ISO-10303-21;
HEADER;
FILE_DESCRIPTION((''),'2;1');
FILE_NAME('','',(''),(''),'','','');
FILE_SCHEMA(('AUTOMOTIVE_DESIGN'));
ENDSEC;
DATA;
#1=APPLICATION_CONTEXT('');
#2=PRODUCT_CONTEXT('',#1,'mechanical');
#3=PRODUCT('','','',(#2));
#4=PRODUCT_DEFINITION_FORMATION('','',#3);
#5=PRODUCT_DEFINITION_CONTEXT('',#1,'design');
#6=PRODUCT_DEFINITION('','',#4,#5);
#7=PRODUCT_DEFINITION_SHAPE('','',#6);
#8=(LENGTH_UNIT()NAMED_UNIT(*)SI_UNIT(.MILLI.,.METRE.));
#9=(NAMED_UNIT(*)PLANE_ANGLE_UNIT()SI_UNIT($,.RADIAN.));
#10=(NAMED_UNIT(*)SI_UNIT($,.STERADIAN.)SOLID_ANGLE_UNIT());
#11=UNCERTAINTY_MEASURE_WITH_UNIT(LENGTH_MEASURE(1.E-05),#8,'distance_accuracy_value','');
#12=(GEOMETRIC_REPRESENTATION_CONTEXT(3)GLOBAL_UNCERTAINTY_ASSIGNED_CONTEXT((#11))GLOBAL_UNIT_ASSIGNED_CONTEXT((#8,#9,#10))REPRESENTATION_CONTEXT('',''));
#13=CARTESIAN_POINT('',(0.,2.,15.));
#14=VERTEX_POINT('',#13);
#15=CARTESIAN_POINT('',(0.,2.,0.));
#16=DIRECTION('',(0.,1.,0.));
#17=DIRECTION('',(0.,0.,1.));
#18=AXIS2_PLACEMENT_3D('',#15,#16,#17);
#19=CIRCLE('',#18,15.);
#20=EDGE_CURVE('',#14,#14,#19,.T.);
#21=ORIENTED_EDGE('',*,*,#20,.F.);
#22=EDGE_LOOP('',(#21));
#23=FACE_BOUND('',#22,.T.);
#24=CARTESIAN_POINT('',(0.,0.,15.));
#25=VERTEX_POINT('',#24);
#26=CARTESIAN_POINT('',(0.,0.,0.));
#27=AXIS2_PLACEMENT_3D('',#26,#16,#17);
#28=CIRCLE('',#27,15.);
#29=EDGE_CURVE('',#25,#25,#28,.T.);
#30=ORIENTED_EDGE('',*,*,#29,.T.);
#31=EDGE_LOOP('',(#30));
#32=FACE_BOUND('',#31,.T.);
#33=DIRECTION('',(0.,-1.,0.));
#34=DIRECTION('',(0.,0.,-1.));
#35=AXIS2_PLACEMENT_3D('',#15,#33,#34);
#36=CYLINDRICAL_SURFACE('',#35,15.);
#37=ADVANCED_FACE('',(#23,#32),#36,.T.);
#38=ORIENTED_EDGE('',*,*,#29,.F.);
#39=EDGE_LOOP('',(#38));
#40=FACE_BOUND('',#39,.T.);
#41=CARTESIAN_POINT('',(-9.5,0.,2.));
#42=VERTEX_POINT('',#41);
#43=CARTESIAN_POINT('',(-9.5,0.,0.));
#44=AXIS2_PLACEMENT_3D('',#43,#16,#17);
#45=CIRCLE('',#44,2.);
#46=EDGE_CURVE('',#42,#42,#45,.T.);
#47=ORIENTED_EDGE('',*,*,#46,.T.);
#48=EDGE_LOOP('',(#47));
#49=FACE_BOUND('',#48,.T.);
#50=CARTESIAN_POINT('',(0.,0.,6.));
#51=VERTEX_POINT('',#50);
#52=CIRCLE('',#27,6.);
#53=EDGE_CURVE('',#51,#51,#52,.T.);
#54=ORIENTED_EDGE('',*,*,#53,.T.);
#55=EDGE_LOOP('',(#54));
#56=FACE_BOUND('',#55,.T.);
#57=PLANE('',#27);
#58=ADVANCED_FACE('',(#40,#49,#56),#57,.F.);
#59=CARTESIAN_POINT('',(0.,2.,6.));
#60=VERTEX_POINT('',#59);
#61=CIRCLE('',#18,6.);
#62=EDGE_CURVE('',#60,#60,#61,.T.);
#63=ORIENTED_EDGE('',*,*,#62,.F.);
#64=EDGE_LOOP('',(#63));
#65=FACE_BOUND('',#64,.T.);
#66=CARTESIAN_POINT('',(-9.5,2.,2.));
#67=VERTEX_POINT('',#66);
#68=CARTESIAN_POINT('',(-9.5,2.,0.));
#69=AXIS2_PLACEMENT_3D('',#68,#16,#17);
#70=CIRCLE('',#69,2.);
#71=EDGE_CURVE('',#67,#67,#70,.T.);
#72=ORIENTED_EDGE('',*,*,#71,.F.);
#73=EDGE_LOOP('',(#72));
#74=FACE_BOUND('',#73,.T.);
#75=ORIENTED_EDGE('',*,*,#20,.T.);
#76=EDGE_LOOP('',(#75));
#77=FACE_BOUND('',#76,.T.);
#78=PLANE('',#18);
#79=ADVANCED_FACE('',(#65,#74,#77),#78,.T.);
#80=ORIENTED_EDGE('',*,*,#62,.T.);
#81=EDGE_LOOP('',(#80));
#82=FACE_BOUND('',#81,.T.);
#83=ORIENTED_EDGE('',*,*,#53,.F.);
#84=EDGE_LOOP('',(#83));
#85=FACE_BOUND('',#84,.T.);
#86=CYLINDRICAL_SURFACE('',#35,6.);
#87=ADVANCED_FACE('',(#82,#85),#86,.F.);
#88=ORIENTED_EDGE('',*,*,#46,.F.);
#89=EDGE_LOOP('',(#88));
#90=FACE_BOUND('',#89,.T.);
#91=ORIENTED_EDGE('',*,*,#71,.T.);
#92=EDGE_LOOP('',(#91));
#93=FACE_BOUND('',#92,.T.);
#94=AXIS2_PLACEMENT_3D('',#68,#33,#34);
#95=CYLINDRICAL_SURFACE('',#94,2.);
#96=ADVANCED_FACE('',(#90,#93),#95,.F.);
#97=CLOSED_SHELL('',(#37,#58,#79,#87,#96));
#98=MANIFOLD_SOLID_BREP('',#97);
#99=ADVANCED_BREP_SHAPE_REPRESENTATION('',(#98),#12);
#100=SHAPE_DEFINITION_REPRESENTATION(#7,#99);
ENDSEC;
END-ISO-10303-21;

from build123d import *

# Parameters (mm, degrees)
SKETCH1_R           = 15
SKETCH1_R_2         = 2
SKETCH1_R_3         = 6
BOSS_EXTRUDE1_DEPTH = 2


with BuildPart() as part:
    # Sketch1 → Boss-Extrude1 (new body)
    with BuildSketch(Plane(origin=(0, 0, 0), x_dir=(1, 0, 0), z_dir=(0, 1, 0))):
        with Locations(Location((0, 0, 0), (0, 0, 270))):
            Circle(SKETCH1_R)
        with Locations(Location((-9.5, 0, 0), (0, 0, 270))):
            Circle(SKETCH1_R_2, mode=Mode.SUBTRACT)
        with Locations(Location((0, 0, 0), (0, 0, 270))):
            Circle(SKETCH1_R_3, mode=Mode.SUBTRACT)
    extrude(amount=BOSS_EXTRUDE1_DEPTH)


solid = part.part
